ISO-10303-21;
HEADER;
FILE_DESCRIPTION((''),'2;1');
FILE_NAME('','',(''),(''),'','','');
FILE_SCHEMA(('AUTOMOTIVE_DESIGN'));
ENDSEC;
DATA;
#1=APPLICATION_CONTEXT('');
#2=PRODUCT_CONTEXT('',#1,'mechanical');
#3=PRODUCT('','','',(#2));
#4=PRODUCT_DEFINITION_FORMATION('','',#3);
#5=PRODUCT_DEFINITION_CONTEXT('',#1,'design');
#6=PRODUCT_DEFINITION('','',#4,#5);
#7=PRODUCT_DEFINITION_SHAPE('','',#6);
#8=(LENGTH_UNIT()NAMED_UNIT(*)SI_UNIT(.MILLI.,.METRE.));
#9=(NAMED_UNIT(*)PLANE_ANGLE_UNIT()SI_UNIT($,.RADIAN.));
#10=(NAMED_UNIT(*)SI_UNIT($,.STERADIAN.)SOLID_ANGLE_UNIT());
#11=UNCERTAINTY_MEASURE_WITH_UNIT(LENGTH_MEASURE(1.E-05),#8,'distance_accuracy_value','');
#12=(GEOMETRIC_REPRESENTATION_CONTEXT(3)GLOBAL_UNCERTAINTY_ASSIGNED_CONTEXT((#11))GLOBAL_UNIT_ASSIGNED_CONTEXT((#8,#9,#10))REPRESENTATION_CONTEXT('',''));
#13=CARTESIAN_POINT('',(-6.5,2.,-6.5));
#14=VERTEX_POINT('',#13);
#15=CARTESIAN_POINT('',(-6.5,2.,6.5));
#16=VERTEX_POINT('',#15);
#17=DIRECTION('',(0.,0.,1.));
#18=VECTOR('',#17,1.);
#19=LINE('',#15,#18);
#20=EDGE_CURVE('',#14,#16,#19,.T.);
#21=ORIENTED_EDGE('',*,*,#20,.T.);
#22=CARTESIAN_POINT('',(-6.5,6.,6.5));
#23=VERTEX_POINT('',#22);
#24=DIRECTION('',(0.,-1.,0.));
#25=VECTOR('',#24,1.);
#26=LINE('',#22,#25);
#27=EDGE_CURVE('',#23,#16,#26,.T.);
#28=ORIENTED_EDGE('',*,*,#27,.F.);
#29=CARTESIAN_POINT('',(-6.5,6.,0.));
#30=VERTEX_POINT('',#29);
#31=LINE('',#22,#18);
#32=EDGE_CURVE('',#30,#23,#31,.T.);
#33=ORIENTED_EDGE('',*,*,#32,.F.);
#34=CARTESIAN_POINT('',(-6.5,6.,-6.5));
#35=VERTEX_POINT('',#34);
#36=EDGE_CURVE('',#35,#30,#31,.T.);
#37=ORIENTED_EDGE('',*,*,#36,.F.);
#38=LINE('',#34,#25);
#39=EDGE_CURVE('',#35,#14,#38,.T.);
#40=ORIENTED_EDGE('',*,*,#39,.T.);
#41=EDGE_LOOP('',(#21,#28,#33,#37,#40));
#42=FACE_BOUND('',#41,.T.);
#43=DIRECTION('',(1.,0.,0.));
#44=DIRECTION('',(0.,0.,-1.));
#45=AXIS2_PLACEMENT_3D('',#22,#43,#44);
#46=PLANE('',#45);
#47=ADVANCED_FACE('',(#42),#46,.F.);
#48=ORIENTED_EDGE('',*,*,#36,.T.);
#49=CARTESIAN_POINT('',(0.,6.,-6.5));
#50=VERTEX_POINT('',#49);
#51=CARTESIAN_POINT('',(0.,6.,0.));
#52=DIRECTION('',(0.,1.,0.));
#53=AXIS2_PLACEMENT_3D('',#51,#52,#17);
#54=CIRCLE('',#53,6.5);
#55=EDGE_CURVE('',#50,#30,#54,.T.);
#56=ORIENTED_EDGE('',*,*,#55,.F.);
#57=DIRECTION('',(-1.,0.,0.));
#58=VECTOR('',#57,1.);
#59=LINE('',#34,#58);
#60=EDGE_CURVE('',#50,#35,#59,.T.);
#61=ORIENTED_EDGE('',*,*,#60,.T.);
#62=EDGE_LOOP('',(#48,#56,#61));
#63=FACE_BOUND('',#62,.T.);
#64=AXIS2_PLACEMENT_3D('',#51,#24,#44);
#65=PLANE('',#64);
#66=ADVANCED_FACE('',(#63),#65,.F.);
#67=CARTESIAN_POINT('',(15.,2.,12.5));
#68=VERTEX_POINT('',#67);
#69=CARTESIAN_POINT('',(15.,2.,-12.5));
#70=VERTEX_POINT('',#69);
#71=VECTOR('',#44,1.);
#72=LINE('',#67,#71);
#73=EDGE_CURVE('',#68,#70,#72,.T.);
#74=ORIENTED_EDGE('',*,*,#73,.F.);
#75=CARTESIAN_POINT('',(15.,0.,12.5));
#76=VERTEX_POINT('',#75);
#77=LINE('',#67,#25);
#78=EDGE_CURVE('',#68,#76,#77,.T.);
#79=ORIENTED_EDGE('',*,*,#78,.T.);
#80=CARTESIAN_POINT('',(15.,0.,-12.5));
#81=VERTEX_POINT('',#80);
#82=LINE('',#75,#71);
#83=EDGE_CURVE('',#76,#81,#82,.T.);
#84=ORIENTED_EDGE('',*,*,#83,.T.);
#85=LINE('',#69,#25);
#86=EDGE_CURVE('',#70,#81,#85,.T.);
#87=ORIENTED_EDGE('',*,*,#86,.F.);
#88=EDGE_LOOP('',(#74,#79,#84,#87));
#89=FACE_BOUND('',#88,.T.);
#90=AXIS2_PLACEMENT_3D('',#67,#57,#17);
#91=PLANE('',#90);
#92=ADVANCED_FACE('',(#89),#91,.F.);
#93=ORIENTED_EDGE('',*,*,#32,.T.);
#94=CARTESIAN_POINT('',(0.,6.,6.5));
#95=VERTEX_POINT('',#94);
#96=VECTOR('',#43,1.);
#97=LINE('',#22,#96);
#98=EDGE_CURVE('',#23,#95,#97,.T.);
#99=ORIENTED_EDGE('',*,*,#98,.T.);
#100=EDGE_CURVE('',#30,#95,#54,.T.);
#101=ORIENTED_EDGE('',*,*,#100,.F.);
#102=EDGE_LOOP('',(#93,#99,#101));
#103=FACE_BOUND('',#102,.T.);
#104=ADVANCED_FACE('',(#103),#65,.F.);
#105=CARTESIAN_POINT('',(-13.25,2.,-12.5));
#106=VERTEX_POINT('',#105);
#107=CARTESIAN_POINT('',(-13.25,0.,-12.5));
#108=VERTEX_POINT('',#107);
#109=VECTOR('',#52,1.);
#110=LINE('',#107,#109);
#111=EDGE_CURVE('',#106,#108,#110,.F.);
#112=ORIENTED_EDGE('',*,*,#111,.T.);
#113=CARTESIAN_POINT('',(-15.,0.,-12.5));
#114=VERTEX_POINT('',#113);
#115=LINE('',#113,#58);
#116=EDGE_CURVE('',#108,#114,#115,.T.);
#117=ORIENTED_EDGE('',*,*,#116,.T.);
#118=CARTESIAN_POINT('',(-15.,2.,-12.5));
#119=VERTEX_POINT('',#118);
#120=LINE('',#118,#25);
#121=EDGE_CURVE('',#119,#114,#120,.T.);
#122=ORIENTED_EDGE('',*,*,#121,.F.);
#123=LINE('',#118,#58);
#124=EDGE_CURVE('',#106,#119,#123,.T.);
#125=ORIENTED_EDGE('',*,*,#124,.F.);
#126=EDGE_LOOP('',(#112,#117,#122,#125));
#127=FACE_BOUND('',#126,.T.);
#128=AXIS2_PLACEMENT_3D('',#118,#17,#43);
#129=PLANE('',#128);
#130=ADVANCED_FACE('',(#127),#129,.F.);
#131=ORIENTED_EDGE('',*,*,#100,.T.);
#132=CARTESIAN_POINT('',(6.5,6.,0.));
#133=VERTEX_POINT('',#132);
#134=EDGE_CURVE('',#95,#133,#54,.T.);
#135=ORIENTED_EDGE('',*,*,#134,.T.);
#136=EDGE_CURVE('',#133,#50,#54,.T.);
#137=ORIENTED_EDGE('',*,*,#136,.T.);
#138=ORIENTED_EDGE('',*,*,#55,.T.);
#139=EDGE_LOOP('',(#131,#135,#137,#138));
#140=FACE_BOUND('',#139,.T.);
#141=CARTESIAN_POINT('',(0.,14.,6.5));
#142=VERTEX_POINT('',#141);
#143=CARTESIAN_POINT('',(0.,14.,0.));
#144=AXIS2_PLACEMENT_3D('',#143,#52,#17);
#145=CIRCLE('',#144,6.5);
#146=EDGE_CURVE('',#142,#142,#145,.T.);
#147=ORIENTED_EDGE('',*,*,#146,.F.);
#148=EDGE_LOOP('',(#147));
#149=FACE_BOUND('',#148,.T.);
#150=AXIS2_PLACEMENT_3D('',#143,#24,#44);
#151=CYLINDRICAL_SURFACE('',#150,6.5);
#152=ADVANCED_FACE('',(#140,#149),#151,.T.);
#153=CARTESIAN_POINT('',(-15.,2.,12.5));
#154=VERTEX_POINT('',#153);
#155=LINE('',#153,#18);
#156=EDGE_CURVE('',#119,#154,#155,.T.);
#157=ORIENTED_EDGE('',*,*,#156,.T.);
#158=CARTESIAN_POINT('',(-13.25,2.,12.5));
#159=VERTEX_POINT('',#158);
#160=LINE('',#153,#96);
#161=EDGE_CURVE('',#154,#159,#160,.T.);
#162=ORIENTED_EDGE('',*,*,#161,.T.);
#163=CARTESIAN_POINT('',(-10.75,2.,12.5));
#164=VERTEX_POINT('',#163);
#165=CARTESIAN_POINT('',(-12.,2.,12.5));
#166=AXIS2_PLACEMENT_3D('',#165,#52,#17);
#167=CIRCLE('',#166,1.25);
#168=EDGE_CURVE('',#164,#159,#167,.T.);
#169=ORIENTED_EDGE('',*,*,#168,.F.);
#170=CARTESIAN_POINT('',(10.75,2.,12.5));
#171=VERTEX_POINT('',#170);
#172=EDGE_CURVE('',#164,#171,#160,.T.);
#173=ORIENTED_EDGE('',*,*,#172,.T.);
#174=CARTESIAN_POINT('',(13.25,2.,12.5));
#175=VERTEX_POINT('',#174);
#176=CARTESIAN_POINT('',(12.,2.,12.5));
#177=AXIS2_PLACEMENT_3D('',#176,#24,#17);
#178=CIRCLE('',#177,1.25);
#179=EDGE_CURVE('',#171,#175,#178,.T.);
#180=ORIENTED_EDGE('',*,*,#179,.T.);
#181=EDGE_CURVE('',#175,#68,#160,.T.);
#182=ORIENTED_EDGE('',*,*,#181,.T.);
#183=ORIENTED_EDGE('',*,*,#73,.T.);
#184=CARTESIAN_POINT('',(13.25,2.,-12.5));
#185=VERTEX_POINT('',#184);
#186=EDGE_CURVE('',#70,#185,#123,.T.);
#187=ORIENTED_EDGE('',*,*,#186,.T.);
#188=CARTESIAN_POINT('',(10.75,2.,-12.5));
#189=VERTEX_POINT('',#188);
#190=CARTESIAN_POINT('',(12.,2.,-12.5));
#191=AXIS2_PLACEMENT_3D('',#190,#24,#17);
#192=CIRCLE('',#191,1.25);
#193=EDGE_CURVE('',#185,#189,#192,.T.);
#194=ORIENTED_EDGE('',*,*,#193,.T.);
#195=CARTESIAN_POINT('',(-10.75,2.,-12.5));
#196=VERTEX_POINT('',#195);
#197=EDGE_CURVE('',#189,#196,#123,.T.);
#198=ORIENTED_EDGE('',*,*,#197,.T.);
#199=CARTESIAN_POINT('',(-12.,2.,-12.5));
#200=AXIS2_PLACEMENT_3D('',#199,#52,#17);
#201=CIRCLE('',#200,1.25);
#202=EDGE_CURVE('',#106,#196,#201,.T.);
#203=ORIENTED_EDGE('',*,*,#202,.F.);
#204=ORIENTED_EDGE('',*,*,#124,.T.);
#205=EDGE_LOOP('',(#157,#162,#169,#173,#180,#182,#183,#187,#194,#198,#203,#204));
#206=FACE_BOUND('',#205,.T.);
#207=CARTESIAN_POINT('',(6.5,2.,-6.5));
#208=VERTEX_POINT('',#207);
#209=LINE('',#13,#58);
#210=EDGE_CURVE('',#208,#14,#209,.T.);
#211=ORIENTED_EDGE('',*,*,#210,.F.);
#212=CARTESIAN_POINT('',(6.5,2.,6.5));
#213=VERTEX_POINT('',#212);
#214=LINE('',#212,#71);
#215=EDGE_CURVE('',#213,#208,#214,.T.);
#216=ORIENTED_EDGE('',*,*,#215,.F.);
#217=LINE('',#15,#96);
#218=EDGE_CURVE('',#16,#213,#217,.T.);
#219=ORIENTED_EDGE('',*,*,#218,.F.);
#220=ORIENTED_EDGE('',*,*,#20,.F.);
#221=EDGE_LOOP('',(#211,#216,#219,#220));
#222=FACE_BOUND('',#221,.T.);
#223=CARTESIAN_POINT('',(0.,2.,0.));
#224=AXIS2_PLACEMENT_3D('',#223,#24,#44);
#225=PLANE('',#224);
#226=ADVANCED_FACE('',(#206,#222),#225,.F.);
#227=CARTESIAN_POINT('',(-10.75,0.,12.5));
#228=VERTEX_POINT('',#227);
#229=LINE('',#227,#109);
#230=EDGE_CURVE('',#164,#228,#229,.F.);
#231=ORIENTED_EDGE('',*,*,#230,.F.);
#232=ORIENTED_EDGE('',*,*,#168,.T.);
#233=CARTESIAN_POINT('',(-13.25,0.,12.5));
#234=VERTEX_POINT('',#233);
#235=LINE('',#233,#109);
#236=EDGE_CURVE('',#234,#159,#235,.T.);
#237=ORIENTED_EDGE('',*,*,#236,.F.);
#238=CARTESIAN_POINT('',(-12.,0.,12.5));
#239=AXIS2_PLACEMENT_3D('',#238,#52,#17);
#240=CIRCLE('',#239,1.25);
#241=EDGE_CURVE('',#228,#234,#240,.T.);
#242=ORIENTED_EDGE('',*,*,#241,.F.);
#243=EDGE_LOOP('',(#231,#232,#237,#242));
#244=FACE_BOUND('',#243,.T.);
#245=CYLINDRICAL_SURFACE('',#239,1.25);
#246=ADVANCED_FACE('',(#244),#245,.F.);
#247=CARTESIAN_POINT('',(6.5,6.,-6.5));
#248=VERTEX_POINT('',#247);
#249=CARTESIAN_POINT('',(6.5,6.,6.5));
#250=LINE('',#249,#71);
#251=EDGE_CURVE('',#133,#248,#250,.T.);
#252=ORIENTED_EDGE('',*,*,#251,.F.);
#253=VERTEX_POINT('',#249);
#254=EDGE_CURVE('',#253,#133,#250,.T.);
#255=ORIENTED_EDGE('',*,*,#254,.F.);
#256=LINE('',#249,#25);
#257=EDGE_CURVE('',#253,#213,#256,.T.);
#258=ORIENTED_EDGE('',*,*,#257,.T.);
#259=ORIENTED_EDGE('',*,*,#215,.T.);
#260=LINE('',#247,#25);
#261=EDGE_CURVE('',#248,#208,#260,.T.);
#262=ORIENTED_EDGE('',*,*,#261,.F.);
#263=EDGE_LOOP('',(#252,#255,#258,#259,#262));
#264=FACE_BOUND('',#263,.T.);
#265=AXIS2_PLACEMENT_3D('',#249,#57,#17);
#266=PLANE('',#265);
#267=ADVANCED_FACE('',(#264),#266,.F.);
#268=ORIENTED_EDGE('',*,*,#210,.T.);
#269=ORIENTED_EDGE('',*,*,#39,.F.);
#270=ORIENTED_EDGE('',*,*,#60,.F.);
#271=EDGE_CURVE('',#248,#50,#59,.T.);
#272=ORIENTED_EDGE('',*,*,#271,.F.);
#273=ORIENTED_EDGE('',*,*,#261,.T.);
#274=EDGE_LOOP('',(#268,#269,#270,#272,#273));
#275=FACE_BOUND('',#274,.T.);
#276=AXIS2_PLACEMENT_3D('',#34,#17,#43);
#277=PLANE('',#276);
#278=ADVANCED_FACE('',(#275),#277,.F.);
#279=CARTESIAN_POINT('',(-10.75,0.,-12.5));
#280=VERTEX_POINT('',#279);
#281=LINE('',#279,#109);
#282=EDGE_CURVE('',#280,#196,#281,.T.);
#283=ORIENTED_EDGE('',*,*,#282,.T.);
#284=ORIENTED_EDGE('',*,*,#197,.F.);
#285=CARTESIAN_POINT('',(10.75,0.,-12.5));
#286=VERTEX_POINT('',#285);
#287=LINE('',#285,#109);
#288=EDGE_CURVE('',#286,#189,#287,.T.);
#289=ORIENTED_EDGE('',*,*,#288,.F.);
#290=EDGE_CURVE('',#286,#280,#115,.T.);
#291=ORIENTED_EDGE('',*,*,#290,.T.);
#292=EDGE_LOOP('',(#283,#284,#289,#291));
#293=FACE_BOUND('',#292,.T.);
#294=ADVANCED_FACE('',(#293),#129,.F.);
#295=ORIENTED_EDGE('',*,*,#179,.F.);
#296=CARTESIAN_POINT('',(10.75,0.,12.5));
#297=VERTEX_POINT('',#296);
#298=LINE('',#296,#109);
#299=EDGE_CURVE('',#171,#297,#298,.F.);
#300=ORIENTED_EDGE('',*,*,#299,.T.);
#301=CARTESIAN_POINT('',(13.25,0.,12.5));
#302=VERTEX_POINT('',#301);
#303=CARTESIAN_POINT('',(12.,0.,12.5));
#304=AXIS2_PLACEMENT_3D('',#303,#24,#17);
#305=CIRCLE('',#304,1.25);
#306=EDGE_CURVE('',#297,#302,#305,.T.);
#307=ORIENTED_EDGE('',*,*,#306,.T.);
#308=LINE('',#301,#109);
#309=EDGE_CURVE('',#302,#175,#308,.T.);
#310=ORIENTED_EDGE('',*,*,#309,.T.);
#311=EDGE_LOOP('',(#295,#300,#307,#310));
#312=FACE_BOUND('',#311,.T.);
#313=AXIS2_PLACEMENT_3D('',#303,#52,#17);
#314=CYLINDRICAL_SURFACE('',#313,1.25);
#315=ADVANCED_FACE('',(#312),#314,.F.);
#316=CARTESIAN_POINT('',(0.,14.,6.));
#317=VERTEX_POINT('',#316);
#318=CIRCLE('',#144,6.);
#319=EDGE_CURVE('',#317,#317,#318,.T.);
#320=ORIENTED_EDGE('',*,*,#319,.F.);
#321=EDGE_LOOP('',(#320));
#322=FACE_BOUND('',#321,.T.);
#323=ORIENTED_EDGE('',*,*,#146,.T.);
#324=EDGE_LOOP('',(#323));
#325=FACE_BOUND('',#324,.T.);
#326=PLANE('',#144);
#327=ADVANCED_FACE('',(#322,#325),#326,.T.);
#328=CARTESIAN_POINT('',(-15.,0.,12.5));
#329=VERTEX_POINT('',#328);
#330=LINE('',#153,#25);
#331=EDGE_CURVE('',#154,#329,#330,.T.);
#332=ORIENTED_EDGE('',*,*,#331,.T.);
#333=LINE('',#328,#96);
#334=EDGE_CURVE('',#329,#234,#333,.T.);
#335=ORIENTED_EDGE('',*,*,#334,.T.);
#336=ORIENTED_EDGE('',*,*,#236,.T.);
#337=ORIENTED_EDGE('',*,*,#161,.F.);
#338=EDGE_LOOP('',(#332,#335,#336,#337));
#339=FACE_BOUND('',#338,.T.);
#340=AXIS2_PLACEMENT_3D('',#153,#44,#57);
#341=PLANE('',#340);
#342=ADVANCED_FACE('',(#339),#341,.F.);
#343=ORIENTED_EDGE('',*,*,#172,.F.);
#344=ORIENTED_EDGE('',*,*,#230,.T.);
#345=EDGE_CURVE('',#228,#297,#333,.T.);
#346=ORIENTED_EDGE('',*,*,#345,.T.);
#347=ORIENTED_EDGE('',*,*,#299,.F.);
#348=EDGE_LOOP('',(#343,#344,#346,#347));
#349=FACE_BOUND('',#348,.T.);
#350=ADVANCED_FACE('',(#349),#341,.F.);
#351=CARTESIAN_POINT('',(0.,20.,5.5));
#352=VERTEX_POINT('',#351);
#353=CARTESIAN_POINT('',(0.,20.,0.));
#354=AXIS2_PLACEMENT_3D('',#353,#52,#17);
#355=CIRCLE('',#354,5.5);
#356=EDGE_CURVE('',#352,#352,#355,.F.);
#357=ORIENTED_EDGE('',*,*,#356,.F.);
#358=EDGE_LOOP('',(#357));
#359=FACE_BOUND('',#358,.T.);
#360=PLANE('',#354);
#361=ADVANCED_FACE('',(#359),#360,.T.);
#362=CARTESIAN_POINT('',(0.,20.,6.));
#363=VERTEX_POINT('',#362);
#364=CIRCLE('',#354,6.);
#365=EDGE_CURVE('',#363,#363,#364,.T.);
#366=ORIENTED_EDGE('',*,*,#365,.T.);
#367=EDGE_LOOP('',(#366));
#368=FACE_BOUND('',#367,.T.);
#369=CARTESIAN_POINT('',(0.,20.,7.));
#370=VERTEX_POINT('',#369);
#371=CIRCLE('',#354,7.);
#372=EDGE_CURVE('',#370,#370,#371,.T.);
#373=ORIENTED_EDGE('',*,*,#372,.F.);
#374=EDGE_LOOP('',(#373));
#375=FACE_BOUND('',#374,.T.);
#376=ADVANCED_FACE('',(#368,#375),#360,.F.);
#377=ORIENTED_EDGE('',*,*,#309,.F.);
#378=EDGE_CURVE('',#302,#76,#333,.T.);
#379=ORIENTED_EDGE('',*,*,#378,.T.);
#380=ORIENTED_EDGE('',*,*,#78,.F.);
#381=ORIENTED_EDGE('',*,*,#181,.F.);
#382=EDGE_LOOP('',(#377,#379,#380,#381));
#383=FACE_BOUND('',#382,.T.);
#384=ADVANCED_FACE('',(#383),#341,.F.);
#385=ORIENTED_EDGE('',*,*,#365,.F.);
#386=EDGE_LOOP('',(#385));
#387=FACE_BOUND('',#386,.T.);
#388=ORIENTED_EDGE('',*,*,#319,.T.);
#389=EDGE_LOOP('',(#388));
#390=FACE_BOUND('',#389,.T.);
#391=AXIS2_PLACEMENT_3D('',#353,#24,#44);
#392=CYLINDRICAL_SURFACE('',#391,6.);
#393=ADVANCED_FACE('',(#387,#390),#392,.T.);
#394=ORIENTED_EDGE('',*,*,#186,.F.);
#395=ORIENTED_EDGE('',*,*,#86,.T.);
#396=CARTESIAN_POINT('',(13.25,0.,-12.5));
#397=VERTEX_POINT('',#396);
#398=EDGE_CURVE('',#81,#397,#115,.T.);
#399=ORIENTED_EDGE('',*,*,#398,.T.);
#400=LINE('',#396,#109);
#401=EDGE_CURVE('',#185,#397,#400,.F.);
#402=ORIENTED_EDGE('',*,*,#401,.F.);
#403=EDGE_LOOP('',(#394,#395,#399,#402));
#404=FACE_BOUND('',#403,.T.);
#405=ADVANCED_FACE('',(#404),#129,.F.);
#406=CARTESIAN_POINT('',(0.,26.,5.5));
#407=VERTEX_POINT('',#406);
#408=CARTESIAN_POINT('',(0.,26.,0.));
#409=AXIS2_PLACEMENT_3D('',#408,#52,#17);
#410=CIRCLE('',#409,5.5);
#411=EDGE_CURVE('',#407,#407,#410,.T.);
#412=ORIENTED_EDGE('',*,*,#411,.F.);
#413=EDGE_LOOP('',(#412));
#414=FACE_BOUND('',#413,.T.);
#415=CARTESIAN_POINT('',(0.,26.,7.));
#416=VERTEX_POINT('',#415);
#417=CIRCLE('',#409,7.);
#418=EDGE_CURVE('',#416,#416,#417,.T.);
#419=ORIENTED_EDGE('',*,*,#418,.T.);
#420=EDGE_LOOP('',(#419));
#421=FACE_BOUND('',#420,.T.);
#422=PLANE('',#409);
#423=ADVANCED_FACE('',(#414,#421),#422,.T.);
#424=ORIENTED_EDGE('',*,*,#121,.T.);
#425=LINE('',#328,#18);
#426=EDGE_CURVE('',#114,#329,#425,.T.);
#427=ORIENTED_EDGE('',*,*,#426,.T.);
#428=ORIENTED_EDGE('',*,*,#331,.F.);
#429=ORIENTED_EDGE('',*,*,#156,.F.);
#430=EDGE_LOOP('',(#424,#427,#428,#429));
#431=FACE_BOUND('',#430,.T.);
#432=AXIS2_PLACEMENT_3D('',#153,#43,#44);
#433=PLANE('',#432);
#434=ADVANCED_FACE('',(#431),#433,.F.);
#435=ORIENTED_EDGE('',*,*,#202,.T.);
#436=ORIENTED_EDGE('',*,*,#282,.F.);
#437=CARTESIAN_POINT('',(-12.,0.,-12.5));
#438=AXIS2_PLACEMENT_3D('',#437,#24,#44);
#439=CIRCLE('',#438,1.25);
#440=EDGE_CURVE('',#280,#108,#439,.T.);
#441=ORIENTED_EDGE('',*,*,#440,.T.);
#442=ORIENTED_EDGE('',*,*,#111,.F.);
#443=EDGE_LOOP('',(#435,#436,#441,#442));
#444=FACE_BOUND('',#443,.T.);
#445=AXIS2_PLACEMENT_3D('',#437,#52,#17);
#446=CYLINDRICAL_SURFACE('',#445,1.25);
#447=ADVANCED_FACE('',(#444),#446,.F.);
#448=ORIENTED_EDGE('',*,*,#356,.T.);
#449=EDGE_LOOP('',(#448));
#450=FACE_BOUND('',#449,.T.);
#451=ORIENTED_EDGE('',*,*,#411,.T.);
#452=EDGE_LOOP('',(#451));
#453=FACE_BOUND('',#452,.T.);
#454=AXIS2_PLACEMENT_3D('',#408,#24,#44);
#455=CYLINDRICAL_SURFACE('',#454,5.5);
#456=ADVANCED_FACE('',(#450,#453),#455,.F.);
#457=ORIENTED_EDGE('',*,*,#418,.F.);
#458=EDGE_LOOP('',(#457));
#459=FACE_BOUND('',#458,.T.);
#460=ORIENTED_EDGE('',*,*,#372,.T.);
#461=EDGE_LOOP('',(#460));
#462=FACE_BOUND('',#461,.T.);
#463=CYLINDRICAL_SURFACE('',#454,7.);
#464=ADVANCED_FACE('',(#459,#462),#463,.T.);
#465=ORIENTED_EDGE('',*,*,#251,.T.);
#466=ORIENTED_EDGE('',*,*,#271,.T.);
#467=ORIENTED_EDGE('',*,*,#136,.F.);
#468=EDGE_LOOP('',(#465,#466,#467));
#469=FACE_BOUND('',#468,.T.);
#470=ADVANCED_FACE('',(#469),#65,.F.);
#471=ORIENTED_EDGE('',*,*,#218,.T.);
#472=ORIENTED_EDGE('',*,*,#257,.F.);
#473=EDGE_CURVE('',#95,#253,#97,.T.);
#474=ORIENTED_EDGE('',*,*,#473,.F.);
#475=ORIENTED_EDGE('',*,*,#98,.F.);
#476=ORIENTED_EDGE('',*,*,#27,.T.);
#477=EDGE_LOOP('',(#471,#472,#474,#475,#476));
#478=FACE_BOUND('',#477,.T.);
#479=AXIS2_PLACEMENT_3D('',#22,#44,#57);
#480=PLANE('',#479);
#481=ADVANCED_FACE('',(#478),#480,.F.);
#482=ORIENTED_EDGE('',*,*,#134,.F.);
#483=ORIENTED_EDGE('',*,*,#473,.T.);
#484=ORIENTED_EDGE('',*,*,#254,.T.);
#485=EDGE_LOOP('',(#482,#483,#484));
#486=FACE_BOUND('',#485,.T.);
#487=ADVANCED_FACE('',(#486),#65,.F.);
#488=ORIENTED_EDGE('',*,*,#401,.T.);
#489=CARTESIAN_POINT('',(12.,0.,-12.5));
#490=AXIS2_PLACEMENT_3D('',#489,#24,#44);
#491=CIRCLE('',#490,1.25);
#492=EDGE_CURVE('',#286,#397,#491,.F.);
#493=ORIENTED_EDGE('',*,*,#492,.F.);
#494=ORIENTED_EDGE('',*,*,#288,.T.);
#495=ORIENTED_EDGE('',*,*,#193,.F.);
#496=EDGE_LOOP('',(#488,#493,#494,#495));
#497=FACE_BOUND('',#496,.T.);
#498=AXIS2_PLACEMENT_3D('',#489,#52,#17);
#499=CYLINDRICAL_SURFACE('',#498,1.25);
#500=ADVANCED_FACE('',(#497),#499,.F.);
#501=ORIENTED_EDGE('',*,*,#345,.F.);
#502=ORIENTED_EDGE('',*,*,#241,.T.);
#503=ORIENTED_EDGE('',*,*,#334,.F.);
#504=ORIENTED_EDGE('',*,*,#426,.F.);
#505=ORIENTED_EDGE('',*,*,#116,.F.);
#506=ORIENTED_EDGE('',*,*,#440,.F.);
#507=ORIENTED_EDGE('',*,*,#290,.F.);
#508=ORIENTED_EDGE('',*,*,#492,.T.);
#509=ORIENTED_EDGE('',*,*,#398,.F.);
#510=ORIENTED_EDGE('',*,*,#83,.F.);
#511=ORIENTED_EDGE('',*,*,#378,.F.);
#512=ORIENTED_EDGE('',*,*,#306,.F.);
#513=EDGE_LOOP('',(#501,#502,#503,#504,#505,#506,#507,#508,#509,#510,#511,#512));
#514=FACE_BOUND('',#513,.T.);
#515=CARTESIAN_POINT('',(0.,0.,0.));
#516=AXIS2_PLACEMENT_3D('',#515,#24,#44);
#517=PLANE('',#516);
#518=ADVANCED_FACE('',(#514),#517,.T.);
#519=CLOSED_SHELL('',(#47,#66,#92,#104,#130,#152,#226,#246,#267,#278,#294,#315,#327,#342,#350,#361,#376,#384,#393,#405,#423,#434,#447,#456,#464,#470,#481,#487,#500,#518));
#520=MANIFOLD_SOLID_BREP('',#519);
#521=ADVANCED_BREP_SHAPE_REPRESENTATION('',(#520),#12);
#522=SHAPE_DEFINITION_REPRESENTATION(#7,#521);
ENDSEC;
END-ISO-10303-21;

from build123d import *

# Parameters (mm, degrees)
SKETCH_1_W          = 30
SKETCH_1_H          = 25
EXTRUDE_1_DEPTH     = 2
SKETCH_2_R          = 1.25
CUT_EXTRUDE_1_DEPTH = 20.627786426
SKETCH_3_W          = 13
SKETCH_3_H          = 13
EXTRUDE_2_DEPTH     = 4
SKETCH_4_R          = 6.5
EXTRUDE_3_DEPTH     = 8
SKETCH_5_R          = 6
EXTRUDE_4_DEPTH     = 6
SKETCH_6_R          = 7
SKETCH_6_R_2        = 5.5
EXTRUDE_5_DEPTH     = 6


with BuildPart() as part:
    # 草圖1 → 填料-伸長1 (new body)
    with BuildSketch(Plane(origin=(0, 0, 0), x_dir=(1, 0, 0), z_dir=(0, 1, 0))):
        Rectangle(SKETCH_1_W, SKETCH_1_H)
    extrude(amount=EXTRUDE_1_DEPTH)

    # 草圖2 → 除料-伸長1 (cut, through all)
    with BuildSketch(Plane(origin=(0, 2, 0), x_dir=(1, 0, 0), z_dir=(0, 1, 0))):
        with Locations((-12, 12.5)):
            Circle(SKETCH_2_R)
        with Locations((-12, -12.5)):
            Circle(SKETCH_2_R)
    cut_extrude_1 = extrude(amount=-CUT_EXTRUDE_1_DEPTH, mode=Mode.SUBTRACT)

    # 鏡射1: 除料-伸長1 across plane
    add(cut_extrude_1.mirror(Plane(origin=(0, 0, 0), x_dir=(0, 0, 1), z_dir=(1, 0, 0))), mode=Mode.SUBTRACT)

    # 草圖3 → 填料-伸長2 (add)
    with BuildSketch(Plane(origin=(0, 2, 0), x_dir=(1, 0, 0), z_dir=(0, 1, 0))):
        Rectangle(SKETCH_3_W, SKETCH_3_H)
    extrude(amount=EXTRUDE_2_DEPTH)

    # 草圖4 → 填料-伸長3 (add)
    with BuildSketch(Plane(origin=(0, 6, 0), x_dir=(1, 0, 0), z_dir=(0, 1, 0))):
        with Locations(Location((0, 0, 0), (0, 0, 270))):
            Circle(SKETCH_4_R)
    extrude(amount=EXTRUDE_3_DEPTH)

    # 草圖5 → 填料-伸長4 (add)
    with BuildSketch(Plane(origin=(0, 14, 0), x_dir=(1, 0, 0), z_dir=(0, 1, 0))):
        with Locations(Location((0, 0, 0), (0, 0, 270))):
            Circle(SKETCH_5_R)
    extrude(amount=EXTRUDE_4_DEPTH)

    # 草圖6 → 填料-伸長5 (add)
    with BuildSketch(Plane(origin=(0, 20, 0), x_dir=(1, 0, 0), z_dir=(0, 1, 0))):
        with Locations(Location((0, 0, 0), (0, 0, 270))):
            Circle(SKETCH_6_R)
        with Locations(Location((0, 0, 0), (0, 0, 270))):
            Circle(SKETCH_6_R_2, mode=Mode.SUBTRACT)
    extrude(amount=EXTRUDE_5_DEPTH)


solid = part.part
